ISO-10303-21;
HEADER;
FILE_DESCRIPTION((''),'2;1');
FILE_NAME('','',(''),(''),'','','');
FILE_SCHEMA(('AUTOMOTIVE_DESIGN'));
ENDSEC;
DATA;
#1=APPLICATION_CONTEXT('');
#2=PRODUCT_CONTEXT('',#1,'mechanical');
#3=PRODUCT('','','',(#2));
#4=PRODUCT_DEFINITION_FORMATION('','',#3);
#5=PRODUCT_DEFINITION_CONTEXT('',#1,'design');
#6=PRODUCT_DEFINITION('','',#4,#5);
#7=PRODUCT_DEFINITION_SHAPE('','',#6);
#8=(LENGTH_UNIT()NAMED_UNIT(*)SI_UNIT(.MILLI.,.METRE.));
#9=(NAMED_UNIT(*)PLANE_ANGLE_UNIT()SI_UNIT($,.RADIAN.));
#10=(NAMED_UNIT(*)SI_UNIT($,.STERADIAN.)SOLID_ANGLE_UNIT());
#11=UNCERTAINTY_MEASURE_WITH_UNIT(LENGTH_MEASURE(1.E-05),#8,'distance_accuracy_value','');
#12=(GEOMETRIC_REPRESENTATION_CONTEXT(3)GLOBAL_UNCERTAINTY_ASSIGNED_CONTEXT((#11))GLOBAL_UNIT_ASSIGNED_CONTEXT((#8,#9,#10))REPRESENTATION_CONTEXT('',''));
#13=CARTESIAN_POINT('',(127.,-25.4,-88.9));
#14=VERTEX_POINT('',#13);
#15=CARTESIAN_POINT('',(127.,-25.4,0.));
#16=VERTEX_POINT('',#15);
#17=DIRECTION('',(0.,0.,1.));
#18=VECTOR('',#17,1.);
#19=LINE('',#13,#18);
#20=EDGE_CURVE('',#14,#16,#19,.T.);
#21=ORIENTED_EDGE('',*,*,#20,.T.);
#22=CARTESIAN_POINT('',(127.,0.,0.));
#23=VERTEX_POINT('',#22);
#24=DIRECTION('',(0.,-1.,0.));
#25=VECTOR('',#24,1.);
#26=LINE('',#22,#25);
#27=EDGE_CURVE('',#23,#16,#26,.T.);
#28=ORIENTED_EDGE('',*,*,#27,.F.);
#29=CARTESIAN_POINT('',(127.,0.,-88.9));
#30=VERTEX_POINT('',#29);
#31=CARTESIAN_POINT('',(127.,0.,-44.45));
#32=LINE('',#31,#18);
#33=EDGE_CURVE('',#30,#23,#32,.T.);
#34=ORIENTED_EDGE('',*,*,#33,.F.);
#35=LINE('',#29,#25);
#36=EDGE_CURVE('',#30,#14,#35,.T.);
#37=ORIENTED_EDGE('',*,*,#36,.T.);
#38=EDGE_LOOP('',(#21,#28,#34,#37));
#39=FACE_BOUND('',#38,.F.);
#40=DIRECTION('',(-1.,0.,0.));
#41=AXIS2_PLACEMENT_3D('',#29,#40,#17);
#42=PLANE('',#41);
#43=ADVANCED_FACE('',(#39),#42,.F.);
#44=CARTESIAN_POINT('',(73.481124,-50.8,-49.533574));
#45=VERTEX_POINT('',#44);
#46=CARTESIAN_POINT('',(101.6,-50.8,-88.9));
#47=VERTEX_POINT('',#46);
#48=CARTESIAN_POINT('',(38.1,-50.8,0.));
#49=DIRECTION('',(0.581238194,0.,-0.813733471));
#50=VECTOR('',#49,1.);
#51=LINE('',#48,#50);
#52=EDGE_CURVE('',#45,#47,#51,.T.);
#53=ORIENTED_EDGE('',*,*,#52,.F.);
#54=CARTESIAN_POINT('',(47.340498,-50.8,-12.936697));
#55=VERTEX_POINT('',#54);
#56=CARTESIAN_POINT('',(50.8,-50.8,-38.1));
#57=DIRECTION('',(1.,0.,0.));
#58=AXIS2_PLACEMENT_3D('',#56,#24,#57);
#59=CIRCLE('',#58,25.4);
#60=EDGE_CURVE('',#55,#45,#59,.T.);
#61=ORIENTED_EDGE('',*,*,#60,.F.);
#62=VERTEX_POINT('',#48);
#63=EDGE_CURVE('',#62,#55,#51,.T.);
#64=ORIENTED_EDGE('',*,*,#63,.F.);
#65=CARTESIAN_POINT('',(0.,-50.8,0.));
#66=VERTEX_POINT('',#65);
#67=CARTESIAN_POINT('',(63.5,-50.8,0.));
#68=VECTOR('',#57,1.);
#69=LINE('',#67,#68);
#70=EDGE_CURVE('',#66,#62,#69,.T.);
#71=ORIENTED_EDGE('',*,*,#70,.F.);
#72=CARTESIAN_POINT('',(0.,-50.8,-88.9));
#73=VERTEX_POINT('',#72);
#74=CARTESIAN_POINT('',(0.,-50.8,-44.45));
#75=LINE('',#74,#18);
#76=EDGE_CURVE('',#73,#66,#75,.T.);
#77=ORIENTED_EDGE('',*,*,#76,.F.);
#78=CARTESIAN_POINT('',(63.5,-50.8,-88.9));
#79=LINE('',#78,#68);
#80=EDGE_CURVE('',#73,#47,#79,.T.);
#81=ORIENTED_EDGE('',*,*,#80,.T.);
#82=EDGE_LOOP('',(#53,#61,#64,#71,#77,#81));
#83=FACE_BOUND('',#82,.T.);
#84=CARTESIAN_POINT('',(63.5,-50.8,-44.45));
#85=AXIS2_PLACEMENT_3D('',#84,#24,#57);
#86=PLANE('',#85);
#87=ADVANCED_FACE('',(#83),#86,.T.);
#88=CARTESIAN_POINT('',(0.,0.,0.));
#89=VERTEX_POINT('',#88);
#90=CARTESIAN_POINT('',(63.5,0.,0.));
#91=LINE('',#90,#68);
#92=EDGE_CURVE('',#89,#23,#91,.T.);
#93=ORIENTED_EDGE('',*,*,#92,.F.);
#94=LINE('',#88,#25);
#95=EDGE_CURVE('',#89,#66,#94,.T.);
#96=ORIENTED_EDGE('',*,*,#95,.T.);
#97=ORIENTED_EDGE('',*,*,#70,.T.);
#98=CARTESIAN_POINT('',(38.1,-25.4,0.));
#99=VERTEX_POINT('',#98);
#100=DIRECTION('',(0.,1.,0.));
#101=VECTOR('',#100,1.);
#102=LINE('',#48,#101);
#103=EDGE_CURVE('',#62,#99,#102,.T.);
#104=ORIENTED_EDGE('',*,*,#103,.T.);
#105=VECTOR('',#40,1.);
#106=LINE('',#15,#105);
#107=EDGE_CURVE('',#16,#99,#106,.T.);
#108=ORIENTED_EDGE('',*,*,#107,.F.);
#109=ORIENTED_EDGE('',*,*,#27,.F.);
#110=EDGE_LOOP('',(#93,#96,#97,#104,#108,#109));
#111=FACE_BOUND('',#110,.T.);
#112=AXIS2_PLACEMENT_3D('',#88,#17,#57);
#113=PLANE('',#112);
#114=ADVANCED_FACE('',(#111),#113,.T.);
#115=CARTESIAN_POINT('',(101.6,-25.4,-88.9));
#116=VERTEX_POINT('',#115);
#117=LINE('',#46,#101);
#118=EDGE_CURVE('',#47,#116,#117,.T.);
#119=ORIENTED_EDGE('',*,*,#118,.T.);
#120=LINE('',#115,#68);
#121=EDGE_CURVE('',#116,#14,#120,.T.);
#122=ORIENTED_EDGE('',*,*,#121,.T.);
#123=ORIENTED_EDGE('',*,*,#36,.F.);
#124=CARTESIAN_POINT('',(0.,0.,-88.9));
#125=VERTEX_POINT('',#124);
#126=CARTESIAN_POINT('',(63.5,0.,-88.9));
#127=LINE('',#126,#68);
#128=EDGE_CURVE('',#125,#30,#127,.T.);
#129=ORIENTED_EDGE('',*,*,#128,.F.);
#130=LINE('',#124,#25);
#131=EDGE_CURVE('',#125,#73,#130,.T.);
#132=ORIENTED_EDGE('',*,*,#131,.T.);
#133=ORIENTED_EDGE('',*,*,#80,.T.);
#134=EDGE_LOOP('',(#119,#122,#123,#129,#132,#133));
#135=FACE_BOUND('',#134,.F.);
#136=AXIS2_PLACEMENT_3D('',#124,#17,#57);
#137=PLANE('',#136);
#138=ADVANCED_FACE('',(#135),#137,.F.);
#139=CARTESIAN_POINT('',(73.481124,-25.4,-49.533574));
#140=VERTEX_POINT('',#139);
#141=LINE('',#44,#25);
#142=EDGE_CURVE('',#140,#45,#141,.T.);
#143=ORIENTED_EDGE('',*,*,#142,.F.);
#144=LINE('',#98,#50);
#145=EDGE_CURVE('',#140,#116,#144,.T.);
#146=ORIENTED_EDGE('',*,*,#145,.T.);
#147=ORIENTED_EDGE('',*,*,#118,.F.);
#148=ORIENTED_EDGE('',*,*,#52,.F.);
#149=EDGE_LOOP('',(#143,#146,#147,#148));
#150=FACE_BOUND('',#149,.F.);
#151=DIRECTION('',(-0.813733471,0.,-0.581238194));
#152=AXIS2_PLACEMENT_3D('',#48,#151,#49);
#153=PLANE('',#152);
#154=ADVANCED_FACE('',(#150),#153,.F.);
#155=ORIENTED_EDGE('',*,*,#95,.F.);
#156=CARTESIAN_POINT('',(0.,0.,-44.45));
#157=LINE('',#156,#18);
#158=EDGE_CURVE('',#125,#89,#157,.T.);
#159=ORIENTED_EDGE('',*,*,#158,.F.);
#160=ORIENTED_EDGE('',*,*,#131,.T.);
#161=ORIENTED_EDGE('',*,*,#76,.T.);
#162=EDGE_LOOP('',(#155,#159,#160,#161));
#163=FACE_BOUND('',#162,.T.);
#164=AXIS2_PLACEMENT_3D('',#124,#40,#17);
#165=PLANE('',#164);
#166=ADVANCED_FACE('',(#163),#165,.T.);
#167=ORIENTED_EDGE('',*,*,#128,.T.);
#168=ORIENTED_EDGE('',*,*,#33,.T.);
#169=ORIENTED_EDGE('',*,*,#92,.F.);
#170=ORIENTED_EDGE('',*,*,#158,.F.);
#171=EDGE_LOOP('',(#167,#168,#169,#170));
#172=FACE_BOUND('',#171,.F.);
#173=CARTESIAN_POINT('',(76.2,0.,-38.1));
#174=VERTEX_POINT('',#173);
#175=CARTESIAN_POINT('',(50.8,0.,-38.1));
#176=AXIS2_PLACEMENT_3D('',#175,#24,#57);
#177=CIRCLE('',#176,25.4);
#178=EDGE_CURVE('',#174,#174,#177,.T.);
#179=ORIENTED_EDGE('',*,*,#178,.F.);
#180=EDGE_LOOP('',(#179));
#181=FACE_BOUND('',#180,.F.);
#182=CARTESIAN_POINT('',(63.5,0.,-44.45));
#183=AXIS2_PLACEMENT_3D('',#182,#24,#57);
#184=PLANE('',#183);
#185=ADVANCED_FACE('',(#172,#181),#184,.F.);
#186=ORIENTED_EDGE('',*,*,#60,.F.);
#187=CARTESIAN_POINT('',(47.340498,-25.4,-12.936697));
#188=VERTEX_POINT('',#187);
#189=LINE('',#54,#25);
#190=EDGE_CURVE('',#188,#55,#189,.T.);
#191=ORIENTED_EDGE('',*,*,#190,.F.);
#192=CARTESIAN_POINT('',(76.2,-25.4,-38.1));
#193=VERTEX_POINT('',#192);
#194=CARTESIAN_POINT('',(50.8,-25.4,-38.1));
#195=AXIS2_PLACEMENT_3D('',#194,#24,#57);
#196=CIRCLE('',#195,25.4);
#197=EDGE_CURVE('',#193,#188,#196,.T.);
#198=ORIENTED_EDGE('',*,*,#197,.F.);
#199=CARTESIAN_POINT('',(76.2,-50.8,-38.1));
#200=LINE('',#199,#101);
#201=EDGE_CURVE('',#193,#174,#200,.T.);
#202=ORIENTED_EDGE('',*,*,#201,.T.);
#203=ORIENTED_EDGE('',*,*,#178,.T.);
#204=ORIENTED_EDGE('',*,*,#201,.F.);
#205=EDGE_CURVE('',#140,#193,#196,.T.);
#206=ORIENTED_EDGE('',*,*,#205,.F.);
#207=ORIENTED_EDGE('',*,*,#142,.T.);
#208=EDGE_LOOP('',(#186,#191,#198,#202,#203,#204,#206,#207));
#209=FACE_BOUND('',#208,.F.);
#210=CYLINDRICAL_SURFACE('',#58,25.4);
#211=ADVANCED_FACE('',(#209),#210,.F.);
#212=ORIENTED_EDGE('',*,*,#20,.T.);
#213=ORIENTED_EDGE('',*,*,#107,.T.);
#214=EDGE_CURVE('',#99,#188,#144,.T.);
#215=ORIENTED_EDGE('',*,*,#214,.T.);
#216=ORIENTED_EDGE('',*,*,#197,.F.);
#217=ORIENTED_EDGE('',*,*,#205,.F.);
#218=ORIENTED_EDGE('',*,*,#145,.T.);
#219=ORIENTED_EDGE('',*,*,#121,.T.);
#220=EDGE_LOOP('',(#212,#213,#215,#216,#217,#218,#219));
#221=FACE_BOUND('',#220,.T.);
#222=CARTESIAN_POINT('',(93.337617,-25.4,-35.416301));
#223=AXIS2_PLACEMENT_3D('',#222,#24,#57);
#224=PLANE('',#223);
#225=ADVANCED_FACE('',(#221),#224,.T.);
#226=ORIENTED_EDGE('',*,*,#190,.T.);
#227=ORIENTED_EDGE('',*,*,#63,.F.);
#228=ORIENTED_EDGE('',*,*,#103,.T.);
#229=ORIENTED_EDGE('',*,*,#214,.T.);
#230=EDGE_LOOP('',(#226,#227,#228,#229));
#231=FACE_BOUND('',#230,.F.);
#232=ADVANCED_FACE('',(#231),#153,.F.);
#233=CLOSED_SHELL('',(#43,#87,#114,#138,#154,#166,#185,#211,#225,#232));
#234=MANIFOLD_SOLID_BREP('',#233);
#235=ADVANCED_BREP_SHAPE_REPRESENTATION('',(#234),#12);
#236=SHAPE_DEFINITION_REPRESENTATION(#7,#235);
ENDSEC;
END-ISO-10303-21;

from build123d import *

# Parameters (mm, degrees)
F0_W     = 127
F0_H     = 88.9
F1_DEPTH = 50.8
F3_DEPTH = 25.4
F4_R     = 25.4
F5_DEPTH = 50.8


with BuildPart() as f1:
    # F0 (on Front) → F1 (new body)
    with BuildSketch(Plane.XZ):
        with Locations((63.5, -44.45)):
            Rectangle(F0_W, F0_H)
    extrude(amount=F1_DEPTH)

    # F2 (on face) → F3 (cut)
    with BuildSketch(Plane.XZ.offset(50.8)):
        Polygon((127, 0), (38.1, 0), (101.6, -88.9), (127, -88.9), align=None)
    extrude(amount=-F3_DEPTH, mode=Mode.SUBTRACT)

    # F4 (on face) → F5 (cut)
    with BuildSketch(Plane.XZ.offset(50.8)):
        with Locations((50.8, -38.1)):
            Circle(F4_R)
    extrude(amount=-F5_DEPTH, mode=Mode.SUBTRACT)


solid = f1.part
